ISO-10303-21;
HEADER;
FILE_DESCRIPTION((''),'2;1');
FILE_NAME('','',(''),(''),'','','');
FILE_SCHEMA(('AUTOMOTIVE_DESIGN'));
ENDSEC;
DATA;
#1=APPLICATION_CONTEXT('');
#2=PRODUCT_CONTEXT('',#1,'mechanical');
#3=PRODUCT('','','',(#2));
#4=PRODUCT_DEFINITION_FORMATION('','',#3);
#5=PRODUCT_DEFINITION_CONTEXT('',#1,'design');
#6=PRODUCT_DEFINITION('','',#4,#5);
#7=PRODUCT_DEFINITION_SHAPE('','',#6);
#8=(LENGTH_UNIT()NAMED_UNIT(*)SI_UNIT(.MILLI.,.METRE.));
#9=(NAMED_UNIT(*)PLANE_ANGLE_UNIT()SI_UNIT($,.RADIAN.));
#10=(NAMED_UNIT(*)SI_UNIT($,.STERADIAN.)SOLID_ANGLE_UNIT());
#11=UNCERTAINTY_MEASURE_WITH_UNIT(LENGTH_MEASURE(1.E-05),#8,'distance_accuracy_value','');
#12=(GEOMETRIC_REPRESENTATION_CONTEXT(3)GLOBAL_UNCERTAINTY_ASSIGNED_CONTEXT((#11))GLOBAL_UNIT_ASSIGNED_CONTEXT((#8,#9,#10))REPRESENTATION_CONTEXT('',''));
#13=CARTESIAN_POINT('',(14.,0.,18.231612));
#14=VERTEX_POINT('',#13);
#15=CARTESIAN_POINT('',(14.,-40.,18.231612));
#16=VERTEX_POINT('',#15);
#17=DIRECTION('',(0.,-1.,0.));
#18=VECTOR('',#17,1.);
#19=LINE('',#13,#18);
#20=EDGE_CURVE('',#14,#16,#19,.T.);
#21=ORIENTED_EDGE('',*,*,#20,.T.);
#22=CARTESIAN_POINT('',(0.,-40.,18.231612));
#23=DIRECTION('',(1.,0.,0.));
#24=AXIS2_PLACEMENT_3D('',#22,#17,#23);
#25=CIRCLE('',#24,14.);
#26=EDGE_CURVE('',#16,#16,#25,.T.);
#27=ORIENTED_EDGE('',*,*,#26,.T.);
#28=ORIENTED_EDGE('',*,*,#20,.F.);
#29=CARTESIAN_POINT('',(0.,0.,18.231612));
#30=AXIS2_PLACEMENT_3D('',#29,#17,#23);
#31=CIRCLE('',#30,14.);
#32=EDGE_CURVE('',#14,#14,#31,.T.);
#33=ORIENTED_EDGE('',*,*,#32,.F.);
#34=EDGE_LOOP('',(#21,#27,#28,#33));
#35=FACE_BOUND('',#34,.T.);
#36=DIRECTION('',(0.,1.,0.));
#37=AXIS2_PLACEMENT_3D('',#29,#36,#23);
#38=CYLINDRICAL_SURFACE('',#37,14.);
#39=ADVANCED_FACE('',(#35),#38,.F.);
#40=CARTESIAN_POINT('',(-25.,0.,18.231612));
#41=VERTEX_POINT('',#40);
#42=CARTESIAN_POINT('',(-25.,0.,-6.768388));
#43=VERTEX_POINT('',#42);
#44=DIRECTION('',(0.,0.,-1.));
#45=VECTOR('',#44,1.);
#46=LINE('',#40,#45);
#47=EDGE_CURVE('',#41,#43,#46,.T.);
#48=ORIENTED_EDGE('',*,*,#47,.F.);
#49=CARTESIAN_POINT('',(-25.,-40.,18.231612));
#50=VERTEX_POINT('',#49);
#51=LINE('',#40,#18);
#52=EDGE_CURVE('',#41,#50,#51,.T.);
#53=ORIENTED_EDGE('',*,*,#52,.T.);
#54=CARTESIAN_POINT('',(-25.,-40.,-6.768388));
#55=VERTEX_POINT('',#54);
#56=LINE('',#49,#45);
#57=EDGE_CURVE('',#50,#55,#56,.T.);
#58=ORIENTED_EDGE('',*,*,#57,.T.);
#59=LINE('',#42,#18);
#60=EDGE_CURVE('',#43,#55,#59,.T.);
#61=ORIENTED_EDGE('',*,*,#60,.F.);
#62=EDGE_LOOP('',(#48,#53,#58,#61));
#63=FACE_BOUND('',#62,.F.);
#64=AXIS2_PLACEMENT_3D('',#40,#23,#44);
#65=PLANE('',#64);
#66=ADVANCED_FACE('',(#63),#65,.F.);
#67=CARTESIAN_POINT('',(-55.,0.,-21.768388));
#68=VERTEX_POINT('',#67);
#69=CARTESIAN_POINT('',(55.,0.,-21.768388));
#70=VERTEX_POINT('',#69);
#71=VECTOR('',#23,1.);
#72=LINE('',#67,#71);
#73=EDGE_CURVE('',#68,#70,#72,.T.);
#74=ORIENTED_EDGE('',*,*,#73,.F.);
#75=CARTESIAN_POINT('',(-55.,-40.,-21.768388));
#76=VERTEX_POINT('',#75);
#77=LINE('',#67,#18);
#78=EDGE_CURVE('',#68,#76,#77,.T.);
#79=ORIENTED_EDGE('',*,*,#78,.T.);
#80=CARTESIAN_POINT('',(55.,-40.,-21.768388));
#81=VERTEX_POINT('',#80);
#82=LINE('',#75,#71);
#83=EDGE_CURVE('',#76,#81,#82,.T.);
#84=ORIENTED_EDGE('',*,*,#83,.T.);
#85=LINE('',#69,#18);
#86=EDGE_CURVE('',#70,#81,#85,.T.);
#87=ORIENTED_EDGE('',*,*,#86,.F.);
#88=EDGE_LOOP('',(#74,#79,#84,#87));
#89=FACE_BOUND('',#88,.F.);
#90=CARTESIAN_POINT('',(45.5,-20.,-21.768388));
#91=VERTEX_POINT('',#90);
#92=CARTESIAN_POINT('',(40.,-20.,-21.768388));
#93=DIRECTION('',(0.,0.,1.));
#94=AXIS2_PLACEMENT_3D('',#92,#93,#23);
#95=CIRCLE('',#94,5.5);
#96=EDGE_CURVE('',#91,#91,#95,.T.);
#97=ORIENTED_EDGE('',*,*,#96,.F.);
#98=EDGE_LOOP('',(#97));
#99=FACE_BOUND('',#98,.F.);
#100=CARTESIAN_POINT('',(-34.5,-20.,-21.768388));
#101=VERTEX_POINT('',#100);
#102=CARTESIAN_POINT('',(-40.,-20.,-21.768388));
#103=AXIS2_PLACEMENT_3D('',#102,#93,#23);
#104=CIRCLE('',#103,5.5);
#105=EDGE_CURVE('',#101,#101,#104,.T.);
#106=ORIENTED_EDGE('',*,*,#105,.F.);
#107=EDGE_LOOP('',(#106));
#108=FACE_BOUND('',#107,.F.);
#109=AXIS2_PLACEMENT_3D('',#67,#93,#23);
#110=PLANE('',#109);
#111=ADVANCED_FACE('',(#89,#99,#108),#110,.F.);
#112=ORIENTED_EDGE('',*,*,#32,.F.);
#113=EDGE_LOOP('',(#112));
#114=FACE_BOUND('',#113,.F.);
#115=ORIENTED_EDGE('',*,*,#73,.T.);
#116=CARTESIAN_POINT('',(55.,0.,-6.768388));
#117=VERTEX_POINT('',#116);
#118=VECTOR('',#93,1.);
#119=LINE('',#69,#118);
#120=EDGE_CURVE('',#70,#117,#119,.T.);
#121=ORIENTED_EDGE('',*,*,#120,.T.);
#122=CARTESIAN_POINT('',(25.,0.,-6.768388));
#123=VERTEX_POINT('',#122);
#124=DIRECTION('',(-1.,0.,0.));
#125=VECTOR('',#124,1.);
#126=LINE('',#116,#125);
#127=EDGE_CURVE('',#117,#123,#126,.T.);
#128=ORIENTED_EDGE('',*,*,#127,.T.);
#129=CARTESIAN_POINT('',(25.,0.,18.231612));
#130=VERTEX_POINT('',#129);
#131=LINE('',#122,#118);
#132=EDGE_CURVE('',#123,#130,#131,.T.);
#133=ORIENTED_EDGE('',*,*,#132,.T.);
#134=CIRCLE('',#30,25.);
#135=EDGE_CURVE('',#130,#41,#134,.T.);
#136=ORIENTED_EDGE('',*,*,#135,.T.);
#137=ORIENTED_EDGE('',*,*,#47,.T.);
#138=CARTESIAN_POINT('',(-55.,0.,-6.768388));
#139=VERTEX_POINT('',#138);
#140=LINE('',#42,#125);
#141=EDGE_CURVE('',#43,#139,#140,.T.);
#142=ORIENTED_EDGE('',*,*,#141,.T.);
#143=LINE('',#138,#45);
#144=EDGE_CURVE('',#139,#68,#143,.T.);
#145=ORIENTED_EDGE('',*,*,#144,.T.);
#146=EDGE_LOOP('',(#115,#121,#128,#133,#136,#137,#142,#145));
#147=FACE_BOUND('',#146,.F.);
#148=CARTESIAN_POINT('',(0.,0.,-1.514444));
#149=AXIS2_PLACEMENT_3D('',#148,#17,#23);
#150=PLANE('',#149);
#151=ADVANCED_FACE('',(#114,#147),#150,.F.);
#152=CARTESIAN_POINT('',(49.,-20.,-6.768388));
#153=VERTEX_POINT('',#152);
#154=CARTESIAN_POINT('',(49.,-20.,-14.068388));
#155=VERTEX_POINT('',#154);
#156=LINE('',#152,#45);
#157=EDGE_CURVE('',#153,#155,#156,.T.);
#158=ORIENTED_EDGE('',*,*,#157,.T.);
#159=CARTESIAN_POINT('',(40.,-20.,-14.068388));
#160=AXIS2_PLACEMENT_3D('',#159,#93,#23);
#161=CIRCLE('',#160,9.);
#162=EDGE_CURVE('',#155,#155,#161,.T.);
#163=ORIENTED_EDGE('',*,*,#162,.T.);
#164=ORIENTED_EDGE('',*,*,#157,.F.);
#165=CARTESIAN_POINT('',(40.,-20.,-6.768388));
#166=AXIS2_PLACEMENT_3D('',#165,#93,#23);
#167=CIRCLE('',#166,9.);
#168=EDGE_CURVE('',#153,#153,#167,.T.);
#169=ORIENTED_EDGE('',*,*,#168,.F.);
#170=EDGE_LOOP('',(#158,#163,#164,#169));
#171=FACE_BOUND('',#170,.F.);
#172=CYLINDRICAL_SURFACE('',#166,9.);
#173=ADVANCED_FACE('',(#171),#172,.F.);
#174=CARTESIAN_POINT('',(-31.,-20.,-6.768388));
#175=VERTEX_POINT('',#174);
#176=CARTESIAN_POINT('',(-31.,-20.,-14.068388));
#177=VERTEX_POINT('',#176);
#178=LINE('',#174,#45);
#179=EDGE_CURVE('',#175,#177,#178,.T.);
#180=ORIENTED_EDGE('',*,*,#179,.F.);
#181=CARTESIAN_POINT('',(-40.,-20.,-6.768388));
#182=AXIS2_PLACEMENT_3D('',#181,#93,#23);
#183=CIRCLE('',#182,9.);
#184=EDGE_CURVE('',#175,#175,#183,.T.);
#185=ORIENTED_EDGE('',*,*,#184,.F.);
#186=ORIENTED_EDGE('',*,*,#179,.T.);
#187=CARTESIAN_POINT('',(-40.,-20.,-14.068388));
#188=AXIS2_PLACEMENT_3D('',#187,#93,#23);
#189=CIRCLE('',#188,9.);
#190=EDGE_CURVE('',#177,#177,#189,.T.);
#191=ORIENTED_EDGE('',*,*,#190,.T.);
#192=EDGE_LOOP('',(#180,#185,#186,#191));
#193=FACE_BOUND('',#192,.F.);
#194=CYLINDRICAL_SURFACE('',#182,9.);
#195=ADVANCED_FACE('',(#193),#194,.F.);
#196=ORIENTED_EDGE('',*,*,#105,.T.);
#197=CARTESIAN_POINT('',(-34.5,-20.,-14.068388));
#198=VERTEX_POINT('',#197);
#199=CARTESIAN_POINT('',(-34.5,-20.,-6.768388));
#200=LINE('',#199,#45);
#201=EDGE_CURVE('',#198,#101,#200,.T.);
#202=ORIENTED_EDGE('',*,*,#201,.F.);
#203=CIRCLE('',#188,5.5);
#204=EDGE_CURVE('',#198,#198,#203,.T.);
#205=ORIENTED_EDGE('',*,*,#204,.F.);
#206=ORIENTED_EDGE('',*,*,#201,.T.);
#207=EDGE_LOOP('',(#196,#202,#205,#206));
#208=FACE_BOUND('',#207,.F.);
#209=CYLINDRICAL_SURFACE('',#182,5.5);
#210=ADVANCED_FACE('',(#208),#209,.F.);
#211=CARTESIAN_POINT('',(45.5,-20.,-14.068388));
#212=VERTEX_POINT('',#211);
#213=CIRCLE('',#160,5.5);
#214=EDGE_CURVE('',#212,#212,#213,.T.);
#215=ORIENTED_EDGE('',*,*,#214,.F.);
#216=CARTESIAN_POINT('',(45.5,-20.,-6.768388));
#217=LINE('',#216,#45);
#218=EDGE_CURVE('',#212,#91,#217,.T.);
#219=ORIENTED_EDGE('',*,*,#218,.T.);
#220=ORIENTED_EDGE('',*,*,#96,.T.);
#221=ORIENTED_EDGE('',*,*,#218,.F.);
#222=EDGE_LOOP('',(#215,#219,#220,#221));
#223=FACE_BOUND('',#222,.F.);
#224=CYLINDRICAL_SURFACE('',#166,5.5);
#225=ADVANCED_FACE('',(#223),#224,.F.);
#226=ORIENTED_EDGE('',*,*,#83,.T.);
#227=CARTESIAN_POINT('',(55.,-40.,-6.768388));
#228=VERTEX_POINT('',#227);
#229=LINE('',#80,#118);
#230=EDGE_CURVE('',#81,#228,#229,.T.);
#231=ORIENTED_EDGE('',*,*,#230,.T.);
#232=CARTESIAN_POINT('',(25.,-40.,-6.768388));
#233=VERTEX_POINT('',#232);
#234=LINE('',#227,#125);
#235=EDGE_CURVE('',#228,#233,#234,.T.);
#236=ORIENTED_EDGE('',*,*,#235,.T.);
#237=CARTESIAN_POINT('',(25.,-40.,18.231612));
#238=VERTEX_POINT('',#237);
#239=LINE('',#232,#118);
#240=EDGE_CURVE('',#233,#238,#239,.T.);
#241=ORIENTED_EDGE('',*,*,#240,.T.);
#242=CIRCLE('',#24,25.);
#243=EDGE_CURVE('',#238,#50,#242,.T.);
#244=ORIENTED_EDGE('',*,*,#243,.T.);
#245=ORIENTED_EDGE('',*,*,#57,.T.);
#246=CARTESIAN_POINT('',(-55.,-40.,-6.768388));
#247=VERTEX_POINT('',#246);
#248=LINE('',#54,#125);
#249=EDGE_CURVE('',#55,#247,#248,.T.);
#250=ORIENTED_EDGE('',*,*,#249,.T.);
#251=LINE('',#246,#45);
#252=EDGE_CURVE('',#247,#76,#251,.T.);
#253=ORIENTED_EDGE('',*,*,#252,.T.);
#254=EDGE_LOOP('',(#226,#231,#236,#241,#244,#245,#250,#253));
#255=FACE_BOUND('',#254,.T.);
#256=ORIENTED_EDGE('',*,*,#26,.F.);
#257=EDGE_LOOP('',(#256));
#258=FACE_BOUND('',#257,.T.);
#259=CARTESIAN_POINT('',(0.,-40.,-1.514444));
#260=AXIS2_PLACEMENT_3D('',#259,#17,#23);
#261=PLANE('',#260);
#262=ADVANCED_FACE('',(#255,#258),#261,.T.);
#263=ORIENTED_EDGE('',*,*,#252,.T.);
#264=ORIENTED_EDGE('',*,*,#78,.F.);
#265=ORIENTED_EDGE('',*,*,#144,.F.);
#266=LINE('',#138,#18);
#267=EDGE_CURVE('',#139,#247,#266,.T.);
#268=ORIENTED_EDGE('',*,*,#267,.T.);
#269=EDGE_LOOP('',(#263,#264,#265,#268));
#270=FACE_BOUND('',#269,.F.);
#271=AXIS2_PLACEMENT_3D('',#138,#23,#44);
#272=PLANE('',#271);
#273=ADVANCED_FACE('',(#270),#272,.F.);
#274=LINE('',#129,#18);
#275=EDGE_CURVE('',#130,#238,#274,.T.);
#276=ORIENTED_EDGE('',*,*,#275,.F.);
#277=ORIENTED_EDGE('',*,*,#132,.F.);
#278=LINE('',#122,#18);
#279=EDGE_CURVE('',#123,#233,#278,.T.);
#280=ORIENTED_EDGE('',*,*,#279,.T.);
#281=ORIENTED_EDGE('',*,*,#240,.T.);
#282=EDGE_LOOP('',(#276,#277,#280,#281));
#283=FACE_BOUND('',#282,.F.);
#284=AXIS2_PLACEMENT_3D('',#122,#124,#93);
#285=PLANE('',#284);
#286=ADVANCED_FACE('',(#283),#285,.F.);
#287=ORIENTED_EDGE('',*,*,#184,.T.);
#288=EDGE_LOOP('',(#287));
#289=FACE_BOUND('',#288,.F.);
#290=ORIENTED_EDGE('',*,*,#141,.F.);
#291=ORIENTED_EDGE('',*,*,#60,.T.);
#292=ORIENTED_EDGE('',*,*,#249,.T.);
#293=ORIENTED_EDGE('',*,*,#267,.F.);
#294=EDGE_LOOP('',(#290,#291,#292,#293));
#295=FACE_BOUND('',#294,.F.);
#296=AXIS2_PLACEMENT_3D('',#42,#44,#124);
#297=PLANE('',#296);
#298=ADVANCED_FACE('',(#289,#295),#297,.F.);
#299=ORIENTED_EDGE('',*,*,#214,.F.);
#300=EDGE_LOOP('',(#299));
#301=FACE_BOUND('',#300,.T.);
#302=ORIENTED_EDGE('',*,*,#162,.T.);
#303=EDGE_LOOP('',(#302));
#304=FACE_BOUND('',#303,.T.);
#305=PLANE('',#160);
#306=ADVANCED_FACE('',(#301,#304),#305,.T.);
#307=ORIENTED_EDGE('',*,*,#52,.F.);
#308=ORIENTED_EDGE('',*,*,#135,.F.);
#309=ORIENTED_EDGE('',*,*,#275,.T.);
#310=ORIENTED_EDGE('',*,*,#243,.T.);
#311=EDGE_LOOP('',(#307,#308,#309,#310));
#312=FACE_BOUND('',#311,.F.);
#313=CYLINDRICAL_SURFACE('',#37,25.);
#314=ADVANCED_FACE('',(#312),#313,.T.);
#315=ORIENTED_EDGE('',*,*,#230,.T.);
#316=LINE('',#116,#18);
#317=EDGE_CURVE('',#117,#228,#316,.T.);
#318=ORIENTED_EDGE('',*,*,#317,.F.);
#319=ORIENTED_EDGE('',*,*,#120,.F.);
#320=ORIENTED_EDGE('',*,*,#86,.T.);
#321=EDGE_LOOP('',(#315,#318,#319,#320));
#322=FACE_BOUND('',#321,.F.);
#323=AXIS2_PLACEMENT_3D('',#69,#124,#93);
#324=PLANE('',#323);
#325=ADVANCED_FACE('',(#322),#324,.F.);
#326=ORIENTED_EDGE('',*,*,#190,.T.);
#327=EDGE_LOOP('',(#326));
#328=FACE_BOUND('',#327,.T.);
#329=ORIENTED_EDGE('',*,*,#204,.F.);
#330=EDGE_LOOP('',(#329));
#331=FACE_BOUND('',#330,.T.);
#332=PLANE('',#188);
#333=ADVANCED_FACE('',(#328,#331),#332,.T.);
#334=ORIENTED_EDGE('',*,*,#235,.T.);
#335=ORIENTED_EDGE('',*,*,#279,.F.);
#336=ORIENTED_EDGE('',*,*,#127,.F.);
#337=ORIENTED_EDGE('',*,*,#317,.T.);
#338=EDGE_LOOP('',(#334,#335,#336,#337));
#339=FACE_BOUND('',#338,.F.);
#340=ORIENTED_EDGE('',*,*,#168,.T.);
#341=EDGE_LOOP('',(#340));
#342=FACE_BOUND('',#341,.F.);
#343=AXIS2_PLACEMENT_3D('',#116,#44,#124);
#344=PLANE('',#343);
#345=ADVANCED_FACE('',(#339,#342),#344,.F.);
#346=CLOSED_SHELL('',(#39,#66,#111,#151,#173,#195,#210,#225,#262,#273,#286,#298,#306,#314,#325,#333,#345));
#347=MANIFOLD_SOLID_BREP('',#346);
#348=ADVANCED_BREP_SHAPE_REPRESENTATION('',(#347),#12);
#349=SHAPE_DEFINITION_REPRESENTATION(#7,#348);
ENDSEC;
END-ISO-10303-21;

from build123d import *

# Parameters (mm, degrees)
F0_R     = 14
F1_DEPTH = 40
F2_R     = 5.5
F3_DEPTH = 25
F2_R_2   = 9
F4_DEPTH = 7.3


with BuildPart() as f1:
    # F0 (on Front) → F1 (new body)
    with BuildSketch(Plane.XZ):
        with BuildLine():
            Line((-55, -6.768388), (-55, -21.768388))
            Line((-55, -21.768388), (55, -21.768388))
            Line((55, -21.768388), (55, -6.768388))
            Line((55, -6.768388), (25, -6.768388))
            Line((25, -6.768388), (25, 18.231612))
            ThreePointArc((25, 18.231612), (0, 43.231612), (-25, 18.231612))
            Line((-25, 18.231612), (-25, -6.768388))
            Line((-25, -6.768388), (-55, -6.768388))
        make_face()
        with Locations((0, 18.231612)):
            Circle(F0_R, mode=Mode.SUBTRACT)
    extrude(amount=F1_DEPTH)

    # F2 (on face) → F3 (cut)
    with BuildSketch(Plane.XY.offset(-6.768388)):
        with Locations((40, -20)):
            Circle(F2_R)
        with Locations((-40, -20)):
            Circle(F2_R)
    extrude(amount=-F3_DEPTH, mode=Mode.SUBTRACT)

    # F2 (on face) → F4 (cut)
    with BuildSketch(Plane.XY.offset(-6.768388)):
        with Locations((-40, -20)):
            Circle(F2_R_2)
        with Locations((-40, -20)):
            Circle(F2_R, mode=Mode.SUBTRACT)
        with Locations((40, -20)):
            Circle(F2_R_2)
        with Locations((40, -20)):
            Circle(F2_R, mode=Mode.SUBTRACT)
    extrude(amount=-F4_DEPTH, mode=Mode.SUBTRACT)


solid = f1.part
